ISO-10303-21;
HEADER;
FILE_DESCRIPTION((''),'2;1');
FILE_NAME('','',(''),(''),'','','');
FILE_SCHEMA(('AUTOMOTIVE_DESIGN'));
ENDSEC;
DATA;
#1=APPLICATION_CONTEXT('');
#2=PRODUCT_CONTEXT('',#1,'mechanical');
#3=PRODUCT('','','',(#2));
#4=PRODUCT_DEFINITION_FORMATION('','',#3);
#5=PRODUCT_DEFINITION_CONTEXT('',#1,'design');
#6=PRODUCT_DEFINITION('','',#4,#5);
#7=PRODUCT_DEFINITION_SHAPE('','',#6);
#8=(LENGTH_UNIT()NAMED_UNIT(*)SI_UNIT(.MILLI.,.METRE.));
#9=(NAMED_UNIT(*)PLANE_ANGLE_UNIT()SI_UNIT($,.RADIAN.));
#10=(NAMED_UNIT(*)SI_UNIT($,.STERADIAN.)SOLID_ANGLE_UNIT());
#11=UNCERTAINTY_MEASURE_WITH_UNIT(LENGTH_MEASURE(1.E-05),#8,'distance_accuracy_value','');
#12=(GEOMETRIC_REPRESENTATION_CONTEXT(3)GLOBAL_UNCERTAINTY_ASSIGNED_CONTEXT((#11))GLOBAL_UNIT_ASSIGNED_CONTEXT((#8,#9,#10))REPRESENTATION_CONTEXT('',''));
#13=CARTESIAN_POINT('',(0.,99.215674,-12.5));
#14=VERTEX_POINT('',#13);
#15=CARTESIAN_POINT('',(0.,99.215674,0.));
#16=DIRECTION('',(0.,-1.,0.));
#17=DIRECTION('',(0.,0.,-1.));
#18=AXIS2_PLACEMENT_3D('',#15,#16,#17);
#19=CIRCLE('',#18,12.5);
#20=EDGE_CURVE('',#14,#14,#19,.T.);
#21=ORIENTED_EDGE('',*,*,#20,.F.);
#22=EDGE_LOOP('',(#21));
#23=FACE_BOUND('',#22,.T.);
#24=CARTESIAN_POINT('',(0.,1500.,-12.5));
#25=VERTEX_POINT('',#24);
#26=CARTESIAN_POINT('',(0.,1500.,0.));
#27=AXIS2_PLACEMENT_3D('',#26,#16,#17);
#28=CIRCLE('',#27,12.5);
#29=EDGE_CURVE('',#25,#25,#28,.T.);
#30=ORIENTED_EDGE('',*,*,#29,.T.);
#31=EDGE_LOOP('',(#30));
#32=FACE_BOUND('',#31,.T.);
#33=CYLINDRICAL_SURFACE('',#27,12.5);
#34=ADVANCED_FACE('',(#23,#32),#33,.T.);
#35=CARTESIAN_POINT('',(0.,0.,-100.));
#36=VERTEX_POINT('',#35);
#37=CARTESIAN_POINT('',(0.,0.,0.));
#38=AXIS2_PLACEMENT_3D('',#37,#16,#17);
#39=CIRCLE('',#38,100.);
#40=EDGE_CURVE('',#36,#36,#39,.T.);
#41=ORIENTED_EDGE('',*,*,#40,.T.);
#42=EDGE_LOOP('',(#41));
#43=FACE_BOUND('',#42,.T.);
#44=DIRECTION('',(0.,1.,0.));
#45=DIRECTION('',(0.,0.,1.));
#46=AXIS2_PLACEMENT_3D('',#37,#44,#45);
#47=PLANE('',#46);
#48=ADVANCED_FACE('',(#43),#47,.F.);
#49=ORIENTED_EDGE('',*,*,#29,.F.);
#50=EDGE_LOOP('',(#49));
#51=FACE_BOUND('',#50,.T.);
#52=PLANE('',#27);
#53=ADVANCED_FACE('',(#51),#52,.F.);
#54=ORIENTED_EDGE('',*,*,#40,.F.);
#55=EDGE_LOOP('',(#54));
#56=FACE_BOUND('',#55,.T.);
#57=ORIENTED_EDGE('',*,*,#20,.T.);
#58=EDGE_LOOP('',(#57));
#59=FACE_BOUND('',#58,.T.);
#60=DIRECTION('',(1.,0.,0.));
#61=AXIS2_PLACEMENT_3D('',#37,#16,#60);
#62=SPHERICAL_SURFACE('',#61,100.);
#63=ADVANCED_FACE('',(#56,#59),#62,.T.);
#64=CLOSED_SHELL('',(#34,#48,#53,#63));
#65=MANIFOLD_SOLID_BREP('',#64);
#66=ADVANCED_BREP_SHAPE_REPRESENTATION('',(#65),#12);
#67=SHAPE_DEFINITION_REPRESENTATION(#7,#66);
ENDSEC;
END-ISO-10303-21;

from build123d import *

# Parameters (mm, degrees)
SKETCH_3_R      = 12.5
EXTRUDE_1_DEPTH = 1500


with BuildPart() as part:
    # 草图2 → 旋转1 (revolve)
    with BuildSketch(Plane.XY, mode=Mode.PRIVATE) as revolve_1_sk:
        with BuildLine():
            Line((0, 0), (-100, 0))
            ThreePointArc((-100, 0), (-70.710678119, 70.710678119), (0, 100))
            Line((0, 100), (0, 0))
        make_face()
    revolve(revolve_1_sk.sketch.rotate(Axis((0, 0, 0), (0, 1, 0)), 180), axis=Axis((0, 0, 0), (0, 1, 0)))

    # 草图3 → 凸台-拉伸1 (add)
    with BuildSketch(Plane.XZ):
        with Locations(Location((0, 0, 0), (0, 0, 270))):
            Circle(SKETCH_3_R)
    extrude(amount=-EXTRUDE_1_DEPTH)


solid = part.part
